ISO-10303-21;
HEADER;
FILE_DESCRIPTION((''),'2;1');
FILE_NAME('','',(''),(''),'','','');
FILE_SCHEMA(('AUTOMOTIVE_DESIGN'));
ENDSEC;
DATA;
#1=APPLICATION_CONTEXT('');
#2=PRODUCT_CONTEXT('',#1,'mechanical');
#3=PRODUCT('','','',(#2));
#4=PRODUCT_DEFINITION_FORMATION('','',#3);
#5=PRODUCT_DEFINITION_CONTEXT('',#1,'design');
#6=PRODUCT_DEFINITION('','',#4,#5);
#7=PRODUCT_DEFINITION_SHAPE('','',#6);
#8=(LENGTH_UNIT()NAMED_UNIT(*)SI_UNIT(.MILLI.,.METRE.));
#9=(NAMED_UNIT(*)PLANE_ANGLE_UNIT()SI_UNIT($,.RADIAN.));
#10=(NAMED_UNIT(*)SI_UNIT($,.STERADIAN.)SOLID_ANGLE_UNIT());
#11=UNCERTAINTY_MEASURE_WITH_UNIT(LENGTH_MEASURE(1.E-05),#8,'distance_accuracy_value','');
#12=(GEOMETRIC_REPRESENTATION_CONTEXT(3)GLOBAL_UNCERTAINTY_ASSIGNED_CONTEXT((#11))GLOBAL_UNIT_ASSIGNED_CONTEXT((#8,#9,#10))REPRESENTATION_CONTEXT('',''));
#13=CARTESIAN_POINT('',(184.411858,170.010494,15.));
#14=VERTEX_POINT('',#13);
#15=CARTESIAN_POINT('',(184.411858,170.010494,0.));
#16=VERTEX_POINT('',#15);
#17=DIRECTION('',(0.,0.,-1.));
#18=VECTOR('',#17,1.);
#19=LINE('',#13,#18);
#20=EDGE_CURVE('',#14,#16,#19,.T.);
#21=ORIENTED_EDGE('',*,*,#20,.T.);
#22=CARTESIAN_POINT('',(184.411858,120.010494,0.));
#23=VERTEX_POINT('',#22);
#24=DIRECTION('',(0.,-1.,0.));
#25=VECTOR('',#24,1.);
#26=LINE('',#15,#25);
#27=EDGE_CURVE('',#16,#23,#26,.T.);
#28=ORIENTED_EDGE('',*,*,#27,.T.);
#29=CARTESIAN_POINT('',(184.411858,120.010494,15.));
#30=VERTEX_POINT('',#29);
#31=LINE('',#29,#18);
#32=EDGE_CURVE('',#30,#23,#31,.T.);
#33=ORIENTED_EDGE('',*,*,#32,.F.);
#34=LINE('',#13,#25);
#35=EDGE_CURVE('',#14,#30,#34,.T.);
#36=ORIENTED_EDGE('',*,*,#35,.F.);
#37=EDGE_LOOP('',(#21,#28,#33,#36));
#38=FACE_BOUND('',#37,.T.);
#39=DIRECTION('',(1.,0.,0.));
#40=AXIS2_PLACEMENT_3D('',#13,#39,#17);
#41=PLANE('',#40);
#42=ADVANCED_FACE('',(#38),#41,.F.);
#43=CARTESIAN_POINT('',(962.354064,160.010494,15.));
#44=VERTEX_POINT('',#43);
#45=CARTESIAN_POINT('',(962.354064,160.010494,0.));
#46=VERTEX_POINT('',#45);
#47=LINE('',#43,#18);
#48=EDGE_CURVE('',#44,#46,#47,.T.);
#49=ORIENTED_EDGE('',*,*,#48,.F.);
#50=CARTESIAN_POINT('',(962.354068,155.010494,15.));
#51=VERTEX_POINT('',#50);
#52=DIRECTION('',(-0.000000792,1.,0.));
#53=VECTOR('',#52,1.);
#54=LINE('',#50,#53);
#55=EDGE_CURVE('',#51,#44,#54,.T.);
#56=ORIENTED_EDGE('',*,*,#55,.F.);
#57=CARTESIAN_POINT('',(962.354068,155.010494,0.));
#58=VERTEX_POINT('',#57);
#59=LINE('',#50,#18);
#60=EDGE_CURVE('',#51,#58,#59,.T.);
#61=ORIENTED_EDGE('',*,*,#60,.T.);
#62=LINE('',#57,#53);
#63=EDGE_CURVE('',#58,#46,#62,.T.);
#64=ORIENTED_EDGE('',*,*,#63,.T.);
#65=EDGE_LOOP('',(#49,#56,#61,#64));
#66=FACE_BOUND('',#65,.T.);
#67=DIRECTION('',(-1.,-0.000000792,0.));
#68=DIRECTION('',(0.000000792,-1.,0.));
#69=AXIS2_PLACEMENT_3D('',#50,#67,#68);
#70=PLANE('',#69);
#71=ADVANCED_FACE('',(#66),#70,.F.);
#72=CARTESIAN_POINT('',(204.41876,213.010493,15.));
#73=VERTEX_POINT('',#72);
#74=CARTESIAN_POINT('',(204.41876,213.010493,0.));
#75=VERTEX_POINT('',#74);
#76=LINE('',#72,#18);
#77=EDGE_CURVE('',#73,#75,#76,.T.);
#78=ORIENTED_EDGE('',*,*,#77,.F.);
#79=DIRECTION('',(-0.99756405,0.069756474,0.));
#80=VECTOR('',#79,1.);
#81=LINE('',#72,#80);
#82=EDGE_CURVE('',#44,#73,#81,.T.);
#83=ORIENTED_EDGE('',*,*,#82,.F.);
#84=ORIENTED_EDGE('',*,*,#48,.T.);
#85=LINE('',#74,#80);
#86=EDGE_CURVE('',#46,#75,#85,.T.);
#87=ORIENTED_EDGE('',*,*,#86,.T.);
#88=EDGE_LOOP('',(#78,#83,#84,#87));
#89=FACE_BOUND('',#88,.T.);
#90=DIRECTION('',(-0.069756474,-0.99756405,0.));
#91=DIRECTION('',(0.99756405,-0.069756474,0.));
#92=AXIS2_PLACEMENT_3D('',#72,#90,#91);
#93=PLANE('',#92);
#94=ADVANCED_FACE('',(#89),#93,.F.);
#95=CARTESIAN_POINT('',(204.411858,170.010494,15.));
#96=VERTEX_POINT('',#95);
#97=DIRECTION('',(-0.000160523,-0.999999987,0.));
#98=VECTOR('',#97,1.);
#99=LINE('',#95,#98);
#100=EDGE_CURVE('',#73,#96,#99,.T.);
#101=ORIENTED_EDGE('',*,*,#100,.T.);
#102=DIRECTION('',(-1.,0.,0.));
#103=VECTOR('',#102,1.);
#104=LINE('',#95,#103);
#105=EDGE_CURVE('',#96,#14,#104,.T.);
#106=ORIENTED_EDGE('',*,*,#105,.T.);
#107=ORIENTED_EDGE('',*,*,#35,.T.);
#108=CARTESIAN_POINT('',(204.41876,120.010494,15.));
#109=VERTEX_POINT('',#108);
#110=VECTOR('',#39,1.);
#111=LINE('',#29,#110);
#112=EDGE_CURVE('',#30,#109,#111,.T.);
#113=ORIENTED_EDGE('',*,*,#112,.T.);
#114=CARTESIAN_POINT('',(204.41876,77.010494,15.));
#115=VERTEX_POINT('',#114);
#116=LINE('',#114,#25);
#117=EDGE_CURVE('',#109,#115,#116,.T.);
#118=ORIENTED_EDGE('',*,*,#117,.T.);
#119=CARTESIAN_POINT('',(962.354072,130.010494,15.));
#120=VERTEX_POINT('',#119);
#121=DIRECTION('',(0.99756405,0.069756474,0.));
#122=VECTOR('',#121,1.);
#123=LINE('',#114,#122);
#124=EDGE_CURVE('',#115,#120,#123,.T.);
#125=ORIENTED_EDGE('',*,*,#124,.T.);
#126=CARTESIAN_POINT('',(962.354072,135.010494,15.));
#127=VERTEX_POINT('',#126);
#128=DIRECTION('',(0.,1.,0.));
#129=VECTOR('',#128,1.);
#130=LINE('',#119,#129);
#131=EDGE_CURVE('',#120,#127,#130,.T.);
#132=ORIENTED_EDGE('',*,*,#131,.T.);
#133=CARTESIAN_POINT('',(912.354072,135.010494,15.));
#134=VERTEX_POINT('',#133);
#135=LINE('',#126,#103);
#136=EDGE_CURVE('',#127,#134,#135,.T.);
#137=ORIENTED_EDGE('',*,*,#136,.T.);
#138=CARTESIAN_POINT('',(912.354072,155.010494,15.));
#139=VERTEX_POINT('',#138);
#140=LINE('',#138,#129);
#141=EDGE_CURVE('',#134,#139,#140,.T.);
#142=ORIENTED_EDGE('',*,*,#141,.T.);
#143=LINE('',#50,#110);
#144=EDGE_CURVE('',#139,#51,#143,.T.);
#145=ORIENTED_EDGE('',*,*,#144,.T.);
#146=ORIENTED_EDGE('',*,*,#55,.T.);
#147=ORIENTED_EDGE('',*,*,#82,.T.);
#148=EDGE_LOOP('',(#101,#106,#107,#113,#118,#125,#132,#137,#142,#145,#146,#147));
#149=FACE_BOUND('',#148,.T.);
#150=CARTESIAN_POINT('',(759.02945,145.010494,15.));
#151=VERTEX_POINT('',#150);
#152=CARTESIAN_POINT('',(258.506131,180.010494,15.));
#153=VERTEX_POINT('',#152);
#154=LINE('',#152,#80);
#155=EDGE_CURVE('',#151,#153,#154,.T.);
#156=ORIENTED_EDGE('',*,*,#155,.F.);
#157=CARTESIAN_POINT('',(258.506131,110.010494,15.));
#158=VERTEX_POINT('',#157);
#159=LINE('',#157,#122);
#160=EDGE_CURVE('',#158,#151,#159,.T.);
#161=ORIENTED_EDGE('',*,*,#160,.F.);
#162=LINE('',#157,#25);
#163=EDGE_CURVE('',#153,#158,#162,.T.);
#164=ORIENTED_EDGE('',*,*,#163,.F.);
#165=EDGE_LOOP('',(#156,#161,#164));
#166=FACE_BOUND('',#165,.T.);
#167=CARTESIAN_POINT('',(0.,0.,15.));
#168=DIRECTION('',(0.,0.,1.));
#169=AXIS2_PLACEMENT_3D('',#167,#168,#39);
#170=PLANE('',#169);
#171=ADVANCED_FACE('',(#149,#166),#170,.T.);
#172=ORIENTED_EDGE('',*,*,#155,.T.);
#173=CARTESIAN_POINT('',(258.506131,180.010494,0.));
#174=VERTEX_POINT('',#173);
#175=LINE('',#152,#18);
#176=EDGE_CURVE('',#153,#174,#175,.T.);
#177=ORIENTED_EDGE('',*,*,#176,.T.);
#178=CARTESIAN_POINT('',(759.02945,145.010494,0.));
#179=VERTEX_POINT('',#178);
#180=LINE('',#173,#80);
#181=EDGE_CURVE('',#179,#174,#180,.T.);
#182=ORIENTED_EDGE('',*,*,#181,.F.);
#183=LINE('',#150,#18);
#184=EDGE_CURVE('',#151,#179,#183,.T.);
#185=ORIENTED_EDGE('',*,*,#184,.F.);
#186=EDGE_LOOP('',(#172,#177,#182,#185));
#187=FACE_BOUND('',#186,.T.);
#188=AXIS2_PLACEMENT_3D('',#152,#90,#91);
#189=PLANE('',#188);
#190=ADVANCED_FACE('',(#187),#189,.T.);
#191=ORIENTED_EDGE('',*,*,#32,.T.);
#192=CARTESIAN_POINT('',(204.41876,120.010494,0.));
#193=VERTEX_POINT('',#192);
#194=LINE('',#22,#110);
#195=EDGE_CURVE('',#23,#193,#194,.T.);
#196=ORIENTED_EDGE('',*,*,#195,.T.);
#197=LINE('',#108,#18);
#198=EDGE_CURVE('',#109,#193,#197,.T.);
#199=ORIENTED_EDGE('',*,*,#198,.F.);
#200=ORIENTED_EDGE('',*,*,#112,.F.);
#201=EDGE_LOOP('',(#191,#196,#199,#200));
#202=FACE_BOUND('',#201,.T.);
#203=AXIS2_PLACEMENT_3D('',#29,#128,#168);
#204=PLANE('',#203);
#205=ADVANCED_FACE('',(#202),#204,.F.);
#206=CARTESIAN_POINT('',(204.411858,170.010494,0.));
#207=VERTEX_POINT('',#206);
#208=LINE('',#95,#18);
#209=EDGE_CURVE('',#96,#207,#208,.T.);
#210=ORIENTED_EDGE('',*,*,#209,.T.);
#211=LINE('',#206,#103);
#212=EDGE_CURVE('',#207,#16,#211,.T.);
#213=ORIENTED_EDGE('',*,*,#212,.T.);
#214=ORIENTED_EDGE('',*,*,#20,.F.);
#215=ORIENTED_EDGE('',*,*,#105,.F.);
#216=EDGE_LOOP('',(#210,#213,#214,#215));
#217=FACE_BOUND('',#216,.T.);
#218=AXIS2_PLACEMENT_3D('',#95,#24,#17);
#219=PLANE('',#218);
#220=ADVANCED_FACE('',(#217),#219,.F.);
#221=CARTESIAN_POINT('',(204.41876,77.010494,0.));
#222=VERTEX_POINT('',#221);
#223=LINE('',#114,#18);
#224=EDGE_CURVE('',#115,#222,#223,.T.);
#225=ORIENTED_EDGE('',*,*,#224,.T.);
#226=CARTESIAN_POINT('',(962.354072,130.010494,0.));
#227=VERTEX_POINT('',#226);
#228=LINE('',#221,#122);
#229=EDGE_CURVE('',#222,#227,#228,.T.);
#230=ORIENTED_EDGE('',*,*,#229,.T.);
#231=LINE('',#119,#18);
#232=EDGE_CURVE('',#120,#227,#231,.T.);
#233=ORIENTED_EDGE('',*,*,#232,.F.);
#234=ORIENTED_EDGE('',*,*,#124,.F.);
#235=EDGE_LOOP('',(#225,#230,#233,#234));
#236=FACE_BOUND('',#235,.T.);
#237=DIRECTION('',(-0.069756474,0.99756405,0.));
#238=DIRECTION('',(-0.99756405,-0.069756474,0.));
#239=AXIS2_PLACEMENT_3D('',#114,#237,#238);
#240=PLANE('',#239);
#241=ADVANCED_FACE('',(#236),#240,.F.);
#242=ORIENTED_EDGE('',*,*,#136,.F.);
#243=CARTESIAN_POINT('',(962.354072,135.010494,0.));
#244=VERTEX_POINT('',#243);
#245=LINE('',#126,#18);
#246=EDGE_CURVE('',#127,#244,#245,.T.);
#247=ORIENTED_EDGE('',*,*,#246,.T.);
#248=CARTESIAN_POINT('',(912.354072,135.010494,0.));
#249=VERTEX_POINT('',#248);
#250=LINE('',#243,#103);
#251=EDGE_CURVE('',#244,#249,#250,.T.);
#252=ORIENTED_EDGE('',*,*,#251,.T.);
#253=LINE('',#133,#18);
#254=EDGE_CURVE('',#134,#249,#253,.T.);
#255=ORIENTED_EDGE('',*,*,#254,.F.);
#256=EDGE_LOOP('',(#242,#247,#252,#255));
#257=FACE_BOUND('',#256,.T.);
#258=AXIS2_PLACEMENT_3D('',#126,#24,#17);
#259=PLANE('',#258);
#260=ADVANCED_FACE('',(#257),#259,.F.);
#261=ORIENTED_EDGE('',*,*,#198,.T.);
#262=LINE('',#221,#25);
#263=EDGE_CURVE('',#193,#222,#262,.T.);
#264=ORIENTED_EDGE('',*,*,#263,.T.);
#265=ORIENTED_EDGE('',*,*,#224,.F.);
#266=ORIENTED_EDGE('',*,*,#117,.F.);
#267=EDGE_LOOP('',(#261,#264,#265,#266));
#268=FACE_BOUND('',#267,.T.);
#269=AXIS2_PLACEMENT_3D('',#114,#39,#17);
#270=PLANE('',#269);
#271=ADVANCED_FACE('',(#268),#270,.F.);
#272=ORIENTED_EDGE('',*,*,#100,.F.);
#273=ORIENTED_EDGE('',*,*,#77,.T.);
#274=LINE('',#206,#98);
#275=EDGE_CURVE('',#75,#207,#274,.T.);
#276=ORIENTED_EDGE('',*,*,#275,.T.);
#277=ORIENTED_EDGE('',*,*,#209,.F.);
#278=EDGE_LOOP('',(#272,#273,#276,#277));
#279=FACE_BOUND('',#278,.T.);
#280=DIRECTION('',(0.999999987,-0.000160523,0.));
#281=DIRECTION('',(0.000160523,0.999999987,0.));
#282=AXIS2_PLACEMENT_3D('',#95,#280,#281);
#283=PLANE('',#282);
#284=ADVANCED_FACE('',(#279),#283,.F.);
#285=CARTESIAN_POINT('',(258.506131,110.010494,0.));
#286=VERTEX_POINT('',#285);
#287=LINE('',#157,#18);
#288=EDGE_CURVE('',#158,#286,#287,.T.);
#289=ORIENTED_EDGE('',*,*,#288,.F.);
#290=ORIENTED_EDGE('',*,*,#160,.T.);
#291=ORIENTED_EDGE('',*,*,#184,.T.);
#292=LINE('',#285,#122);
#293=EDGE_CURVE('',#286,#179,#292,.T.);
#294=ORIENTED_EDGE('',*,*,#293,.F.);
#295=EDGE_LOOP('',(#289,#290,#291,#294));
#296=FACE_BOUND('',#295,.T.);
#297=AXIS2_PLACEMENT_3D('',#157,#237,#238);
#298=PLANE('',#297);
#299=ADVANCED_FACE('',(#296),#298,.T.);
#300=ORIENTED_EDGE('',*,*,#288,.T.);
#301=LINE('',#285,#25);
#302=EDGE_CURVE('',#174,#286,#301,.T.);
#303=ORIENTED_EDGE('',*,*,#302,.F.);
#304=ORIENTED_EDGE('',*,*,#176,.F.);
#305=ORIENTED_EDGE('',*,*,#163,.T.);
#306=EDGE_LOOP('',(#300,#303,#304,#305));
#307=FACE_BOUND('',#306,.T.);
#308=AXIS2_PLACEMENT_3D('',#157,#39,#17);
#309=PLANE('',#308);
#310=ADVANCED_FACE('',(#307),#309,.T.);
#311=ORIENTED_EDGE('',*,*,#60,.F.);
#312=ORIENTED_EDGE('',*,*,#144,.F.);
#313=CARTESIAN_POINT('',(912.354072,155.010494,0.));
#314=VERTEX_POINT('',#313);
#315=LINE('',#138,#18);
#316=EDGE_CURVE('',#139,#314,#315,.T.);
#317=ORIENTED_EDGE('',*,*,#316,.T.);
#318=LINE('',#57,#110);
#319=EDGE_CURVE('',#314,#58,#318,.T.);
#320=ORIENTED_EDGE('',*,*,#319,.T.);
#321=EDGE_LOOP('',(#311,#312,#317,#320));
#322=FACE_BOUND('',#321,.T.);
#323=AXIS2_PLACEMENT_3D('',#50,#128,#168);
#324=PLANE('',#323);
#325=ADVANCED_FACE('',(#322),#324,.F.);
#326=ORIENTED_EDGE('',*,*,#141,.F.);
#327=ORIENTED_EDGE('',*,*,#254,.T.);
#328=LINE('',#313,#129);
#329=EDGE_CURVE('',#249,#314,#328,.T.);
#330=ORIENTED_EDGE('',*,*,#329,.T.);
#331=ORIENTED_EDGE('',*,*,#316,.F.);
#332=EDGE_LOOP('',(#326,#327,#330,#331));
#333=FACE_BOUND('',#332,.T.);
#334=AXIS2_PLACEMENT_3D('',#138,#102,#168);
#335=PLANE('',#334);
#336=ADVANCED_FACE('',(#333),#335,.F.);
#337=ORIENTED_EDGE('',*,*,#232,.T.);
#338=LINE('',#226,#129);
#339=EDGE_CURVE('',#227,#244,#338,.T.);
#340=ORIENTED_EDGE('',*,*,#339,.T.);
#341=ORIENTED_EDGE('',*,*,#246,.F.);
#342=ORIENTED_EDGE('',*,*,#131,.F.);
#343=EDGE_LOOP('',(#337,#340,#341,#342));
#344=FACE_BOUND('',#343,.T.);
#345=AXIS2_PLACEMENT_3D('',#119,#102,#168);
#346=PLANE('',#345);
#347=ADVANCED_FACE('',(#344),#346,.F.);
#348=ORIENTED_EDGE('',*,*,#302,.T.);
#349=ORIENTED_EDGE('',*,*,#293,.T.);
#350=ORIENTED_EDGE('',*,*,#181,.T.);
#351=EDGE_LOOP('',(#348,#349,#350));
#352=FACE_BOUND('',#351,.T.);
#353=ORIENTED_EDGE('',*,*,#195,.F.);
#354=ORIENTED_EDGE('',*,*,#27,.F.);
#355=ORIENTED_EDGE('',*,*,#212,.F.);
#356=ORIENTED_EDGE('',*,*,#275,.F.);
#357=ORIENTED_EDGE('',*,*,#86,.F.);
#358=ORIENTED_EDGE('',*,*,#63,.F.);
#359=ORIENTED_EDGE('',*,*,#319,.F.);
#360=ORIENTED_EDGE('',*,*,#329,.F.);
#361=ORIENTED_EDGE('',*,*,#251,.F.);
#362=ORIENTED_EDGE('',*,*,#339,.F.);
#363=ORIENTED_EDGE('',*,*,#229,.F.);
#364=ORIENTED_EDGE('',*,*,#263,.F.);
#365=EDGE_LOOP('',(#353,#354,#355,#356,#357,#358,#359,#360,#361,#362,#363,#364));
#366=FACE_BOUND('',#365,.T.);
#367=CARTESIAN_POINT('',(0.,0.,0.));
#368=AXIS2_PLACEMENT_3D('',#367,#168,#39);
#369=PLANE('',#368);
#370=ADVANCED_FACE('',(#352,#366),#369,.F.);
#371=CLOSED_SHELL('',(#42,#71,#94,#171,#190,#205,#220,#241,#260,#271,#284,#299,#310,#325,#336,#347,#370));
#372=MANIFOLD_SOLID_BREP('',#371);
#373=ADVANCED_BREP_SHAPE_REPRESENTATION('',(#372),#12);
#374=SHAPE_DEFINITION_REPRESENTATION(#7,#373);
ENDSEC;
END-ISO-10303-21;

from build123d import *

# Parameters (mm, degrees)
EXTRUDE_1_DEPTH = 15


with BuildPart() as part:
    # Model → 凸台-拉伸1 (new body)
    with BuildSketch(Plane.XY):
        Polygon((184.411857588, 120.010493647), (204.418760095, 120.010493647), (204.418760095, 77.010493647), (962.354071701, 130.010493647), (962.354071701, 135.010493647), (912.354071701, 135.010493647), (912.354071701, 155.010493647), (962.354067739, 155.010493647), (962.354063778, 160.010493647), (204.418760095, 213.010493093), (204.411857588, 170.010493647), (184.411857588, 170.010493647), align=None)
        Polygon((258.506130737, 110.010493647), (258.506130737, 180.010493647), (759.029449722, 145.010493647), align=None, mode=Mode.SUBTRACT)
    extrude(amount=EXTRUDE_1_DEPTH)


solid = part.part
